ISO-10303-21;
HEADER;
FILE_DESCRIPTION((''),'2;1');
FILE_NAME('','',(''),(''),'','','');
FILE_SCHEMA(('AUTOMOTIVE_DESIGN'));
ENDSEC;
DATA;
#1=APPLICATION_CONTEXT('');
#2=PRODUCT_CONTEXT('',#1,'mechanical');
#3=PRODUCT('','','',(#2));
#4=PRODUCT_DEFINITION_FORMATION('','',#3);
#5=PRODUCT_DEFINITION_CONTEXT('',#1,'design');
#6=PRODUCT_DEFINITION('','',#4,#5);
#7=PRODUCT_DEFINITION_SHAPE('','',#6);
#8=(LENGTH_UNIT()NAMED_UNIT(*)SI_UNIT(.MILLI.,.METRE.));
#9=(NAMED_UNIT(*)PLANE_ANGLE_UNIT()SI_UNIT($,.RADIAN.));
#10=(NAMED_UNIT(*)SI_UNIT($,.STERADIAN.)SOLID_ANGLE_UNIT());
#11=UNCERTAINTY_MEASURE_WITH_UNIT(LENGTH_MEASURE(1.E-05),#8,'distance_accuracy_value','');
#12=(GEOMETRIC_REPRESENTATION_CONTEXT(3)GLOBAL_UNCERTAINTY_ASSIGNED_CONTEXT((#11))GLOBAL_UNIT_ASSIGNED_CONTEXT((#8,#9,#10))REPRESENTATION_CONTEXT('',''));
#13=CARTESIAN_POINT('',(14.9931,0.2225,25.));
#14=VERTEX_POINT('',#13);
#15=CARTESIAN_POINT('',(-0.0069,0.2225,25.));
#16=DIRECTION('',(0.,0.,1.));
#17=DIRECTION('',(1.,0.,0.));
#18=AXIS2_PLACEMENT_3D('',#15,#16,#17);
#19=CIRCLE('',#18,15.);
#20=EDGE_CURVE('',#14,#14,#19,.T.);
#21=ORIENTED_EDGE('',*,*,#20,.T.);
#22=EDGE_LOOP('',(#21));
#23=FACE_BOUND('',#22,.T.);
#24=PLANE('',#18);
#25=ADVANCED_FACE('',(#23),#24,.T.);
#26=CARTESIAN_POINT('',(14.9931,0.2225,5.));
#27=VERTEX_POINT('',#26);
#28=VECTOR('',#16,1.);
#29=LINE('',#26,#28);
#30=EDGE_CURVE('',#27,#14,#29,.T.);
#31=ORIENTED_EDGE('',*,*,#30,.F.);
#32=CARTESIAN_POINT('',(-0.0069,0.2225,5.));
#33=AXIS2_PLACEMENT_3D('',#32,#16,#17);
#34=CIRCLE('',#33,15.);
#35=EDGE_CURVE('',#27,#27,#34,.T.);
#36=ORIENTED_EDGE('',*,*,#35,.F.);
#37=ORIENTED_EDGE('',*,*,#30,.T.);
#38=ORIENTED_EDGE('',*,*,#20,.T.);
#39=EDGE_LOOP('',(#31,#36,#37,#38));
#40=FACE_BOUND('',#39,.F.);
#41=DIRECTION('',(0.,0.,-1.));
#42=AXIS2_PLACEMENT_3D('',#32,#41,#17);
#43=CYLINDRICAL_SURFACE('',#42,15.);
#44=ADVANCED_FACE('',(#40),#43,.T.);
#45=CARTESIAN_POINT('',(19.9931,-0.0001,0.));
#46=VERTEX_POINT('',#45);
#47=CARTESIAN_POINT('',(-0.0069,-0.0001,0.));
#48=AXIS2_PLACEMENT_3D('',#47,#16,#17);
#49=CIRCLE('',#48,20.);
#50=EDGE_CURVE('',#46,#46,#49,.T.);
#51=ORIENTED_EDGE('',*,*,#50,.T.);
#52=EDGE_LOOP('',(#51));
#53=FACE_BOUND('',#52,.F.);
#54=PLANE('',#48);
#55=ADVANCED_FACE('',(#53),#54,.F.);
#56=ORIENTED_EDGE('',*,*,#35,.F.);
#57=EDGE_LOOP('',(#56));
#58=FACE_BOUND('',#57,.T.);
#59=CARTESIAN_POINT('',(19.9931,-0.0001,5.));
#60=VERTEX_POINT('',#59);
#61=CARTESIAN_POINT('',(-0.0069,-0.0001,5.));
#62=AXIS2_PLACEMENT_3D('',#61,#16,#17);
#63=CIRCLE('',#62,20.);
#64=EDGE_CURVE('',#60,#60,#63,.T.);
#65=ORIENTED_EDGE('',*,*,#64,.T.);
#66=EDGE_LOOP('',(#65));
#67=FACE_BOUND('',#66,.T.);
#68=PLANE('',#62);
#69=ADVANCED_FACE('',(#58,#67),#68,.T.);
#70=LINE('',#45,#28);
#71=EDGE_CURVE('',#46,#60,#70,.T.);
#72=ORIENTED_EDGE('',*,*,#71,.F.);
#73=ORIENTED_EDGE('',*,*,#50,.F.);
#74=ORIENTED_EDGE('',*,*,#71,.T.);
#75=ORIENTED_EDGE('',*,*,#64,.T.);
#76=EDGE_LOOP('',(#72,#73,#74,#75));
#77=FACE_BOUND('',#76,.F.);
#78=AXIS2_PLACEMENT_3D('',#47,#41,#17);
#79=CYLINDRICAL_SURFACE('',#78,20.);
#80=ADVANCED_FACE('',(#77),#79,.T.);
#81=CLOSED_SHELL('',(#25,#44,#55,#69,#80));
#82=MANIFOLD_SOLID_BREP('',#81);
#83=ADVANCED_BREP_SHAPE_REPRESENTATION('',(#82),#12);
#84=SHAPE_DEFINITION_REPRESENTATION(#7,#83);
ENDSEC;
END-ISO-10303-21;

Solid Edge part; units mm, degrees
sketch "Sketch1" plane through (0, 0, 0) normal (0, 0, 1) x (1, 0, 0)
  circle A0 centre (-0.0069, -0.0001) radius 20
extrude "Protrusion1" add sketch "Sketch1" along normal blind 5
sketch "Sketch2" plane through (-0.0069, -0.0001, 5) normal (0, 0, 1) x (1, 0, 0)
  circle A0 centre (0, 0.2226) radius 15
extrude "ExtrudedProtrusion_2" add sketch "Sketch2" along normal blind 20
